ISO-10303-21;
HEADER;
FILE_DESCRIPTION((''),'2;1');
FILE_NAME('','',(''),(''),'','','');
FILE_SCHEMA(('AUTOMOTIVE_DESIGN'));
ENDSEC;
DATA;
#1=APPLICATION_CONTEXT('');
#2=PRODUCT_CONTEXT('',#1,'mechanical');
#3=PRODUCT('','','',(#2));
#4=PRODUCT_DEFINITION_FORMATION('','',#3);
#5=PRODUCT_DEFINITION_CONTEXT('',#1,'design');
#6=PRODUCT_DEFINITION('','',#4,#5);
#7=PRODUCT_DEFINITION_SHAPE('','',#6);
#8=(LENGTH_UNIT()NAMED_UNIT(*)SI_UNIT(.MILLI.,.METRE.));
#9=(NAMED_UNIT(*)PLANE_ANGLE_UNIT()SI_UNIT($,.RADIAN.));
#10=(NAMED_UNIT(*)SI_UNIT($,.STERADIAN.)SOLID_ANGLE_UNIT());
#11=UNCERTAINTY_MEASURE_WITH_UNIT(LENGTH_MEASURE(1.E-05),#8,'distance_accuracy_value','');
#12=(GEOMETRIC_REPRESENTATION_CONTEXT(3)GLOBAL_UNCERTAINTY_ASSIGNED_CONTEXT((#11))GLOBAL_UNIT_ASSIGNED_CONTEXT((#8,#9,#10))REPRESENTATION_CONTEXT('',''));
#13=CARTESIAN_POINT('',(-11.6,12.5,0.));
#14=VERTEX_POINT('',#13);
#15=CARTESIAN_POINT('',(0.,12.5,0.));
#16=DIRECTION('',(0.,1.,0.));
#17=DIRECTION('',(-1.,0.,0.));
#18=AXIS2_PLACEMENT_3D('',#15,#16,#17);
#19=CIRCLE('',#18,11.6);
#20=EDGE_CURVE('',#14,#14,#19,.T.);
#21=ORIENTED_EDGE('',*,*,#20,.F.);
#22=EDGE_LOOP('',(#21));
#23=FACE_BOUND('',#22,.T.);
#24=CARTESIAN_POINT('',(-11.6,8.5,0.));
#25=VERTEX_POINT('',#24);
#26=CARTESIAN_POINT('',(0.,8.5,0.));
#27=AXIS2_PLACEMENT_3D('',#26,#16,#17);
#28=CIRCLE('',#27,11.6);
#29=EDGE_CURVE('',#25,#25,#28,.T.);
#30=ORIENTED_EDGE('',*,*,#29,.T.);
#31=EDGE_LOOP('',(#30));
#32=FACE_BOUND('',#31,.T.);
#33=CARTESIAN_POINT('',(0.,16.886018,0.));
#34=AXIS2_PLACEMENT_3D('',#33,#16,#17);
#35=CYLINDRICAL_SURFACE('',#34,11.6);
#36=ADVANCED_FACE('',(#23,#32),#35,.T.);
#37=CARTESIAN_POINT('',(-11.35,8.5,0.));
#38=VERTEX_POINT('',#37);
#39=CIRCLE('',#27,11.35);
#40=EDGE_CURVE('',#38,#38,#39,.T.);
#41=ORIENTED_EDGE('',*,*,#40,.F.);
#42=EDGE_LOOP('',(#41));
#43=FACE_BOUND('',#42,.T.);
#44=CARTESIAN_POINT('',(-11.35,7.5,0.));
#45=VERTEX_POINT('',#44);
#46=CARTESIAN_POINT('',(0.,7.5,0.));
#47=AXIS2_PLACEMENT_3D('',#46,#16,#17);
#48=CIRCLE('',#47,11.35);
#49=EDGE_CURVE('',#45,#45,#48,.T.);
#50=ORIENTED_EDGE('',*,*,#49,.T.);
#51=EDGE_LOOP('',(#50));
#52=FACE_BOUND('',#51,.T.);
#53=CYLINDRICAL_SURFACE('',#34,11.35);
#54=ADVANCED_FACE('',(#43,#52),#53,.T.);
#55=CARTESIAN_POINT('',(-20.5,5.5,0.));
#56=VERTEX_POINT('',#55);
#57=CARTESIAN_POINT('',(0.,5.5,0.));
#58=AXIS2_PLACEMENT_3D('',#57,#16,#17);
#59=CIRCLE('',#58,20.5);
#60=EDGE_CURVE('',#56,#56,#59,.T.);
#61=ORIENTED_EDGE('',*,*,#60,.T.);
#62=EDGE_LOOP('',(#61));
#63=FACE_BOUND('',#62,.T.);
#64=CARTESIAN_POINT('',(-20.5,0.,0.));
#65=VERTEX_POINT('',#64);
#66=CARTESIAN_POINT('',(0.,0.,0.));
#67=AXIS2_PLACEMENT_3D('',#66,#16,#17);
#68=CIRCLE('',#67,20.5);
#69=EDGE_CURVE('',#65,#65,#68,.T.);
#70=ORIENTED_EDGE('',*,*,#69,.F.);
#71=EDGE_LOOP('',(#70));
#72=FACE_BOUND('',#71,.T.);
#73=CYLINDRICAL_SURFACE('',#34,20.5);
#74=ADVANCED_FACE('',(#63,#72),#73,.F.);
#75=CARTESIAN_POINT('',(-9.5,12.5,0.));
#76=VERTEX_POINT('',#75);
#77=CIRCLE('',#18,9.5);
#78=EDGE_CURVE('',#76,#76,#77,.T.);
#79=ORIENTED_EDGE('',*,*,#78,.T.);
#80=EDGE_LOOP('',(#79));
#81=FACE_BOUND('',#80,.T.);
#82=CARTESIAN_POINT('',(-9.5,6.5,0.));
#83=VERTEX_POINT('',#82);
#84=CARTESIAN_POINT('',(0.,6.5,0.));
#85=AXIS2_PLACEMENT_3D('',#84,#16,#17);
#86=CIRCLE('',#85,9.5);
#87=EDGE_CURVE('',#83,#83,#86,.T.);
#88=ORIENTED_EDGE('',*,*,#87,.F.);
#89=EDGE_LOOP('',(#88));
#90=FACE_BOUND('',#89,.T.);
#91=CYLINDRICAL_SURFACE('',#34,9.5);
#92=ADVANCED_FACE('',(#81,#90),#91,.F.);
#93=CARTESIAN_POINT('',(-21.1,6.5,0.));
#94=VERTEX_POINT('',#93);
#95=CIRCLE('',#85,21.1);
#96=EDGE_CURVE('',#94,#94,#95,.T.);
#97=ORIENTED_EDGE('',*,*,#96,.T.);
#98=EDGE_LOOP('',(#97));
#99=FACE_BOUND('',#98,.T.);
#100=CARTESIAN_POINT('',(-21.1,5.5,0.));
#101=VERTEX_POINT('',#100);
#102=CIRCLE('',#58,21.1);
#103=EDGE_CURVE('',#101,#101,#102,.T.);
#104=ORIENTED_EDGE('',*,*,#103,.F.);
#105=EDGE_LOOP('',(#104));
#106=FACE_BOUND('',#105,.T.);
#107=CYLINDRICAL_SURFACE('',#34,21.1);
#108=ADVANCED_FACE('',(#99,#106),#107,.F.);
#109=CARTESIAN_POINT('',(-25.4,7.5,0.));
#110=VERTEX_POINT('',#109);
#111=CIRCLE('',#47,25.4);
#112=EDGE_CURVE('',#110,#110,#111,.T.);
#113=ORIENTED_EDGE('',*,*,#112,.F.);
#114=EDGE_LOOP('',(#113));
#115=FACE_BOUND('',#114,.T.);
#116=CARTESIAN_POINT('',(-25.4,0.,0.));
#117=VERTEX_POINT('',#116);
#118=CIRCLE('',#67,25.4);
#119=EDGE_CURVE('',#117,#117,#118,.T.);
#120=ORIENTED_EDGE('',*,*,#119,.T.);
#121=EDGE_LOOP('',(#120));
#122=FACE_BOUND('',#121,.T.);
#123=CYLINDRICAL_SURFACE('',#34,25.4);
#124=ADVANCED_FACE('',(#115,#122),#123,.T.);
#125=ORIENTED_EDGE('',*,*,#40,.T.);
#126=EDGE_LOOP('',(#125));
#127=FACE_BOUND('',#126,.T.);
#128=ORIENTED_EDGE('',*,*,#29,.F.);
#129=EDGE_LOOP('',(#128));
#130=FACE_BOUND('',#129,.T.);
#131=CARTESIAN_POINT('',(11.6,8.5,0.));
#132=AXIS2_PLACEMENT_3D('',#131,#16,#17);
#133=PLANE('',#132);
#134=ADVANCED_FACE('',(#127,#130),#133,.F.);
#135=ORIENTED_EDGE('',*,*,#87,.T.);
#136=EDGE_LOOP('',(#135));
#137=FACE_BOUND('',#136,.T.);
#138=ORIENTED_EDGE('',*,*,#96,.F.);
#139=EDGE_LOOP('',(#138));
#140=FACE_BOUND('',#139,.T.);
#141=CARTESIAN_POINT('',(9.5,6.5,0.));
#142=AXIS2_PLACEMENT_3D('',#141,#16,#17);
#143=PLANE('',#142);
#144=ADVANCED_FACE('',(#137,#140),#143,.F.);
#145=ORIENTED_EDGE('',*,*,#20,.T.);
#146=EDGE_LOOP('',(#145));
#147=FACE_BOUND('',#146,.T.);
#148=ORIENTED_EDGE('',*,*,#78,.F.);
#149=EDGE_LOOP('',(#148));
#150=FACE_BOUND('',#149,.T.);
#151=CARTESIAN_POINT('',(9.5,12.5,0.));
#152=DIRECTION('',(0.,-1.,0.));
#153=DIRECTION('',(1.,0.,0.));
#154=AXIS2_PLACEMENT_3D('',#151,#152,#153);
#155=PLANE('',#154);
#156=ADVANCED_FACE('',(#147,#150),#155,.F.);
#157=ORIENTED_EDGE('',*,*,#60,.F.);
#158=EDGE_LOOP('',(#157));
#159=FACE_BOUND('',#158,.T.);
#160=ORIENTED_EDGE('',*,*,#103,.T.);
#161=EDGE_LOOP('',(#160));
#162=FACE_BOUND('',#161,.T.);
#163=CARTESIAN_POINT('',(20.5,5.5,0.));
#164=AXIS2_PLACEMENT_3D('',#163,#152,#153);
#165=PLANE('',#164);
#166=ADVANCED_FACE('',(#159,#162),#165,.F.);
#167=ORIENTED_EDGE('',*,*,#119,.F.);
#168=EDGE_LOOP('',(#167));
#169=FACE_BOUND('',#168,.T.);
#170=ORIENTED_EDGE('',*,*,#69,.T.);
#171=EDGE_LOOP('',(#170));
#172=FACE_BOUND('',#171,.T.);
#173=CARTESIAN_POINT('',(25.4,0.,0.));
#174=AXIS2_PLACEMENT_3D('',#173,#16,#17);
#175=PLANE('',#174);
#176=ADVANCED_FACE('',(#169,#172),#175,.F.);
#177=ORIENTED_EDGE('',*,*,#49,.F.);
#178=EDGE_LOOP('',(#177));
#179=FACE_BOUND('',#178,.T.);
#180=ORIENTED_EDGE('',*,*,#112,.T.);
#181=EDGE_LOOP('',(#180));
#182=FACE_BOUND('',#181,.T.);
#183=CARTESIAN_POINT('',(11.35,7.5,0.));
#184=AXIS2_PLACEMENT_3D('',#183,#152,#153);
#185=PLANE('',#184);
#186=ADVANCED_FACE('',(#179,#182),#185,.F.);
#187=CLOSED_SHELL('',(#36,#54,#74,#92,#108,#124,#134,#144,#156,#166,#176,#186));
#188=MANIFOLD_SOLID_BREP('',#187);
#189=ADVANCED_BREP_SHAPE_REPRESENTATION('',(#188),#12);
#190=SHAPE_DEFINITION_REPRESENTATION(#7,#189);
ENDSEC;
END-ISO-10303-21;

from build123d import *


with BuildPart() as part:
    # 草图1 → 旋转1 (revolve)
    with BuildSketch(Plane.XY, mode=Mode.PRIVATE) as revolve_1_sk:
        Polygon((20.5, 0), (20.5, 5.5), (21.1, 5.5), (21.1, 6.5), (9.5, 6.5), (9.5, 12.5), (11.6, 12.5), (11.6, 8.5), (11.35, 8.5), (11.35, 7.5), (25.4, 7.5), (25.4, 0), align=None)
    revolve(revolve_1_sk.sketch.rotate(Axis((0, 16.886018237, 0), (0, -1, 0)), 180), axis=Axis((0, 16.886018237, 0), (0, -1, 0)))  # turned: the seam where the file's is


solid = part.part
